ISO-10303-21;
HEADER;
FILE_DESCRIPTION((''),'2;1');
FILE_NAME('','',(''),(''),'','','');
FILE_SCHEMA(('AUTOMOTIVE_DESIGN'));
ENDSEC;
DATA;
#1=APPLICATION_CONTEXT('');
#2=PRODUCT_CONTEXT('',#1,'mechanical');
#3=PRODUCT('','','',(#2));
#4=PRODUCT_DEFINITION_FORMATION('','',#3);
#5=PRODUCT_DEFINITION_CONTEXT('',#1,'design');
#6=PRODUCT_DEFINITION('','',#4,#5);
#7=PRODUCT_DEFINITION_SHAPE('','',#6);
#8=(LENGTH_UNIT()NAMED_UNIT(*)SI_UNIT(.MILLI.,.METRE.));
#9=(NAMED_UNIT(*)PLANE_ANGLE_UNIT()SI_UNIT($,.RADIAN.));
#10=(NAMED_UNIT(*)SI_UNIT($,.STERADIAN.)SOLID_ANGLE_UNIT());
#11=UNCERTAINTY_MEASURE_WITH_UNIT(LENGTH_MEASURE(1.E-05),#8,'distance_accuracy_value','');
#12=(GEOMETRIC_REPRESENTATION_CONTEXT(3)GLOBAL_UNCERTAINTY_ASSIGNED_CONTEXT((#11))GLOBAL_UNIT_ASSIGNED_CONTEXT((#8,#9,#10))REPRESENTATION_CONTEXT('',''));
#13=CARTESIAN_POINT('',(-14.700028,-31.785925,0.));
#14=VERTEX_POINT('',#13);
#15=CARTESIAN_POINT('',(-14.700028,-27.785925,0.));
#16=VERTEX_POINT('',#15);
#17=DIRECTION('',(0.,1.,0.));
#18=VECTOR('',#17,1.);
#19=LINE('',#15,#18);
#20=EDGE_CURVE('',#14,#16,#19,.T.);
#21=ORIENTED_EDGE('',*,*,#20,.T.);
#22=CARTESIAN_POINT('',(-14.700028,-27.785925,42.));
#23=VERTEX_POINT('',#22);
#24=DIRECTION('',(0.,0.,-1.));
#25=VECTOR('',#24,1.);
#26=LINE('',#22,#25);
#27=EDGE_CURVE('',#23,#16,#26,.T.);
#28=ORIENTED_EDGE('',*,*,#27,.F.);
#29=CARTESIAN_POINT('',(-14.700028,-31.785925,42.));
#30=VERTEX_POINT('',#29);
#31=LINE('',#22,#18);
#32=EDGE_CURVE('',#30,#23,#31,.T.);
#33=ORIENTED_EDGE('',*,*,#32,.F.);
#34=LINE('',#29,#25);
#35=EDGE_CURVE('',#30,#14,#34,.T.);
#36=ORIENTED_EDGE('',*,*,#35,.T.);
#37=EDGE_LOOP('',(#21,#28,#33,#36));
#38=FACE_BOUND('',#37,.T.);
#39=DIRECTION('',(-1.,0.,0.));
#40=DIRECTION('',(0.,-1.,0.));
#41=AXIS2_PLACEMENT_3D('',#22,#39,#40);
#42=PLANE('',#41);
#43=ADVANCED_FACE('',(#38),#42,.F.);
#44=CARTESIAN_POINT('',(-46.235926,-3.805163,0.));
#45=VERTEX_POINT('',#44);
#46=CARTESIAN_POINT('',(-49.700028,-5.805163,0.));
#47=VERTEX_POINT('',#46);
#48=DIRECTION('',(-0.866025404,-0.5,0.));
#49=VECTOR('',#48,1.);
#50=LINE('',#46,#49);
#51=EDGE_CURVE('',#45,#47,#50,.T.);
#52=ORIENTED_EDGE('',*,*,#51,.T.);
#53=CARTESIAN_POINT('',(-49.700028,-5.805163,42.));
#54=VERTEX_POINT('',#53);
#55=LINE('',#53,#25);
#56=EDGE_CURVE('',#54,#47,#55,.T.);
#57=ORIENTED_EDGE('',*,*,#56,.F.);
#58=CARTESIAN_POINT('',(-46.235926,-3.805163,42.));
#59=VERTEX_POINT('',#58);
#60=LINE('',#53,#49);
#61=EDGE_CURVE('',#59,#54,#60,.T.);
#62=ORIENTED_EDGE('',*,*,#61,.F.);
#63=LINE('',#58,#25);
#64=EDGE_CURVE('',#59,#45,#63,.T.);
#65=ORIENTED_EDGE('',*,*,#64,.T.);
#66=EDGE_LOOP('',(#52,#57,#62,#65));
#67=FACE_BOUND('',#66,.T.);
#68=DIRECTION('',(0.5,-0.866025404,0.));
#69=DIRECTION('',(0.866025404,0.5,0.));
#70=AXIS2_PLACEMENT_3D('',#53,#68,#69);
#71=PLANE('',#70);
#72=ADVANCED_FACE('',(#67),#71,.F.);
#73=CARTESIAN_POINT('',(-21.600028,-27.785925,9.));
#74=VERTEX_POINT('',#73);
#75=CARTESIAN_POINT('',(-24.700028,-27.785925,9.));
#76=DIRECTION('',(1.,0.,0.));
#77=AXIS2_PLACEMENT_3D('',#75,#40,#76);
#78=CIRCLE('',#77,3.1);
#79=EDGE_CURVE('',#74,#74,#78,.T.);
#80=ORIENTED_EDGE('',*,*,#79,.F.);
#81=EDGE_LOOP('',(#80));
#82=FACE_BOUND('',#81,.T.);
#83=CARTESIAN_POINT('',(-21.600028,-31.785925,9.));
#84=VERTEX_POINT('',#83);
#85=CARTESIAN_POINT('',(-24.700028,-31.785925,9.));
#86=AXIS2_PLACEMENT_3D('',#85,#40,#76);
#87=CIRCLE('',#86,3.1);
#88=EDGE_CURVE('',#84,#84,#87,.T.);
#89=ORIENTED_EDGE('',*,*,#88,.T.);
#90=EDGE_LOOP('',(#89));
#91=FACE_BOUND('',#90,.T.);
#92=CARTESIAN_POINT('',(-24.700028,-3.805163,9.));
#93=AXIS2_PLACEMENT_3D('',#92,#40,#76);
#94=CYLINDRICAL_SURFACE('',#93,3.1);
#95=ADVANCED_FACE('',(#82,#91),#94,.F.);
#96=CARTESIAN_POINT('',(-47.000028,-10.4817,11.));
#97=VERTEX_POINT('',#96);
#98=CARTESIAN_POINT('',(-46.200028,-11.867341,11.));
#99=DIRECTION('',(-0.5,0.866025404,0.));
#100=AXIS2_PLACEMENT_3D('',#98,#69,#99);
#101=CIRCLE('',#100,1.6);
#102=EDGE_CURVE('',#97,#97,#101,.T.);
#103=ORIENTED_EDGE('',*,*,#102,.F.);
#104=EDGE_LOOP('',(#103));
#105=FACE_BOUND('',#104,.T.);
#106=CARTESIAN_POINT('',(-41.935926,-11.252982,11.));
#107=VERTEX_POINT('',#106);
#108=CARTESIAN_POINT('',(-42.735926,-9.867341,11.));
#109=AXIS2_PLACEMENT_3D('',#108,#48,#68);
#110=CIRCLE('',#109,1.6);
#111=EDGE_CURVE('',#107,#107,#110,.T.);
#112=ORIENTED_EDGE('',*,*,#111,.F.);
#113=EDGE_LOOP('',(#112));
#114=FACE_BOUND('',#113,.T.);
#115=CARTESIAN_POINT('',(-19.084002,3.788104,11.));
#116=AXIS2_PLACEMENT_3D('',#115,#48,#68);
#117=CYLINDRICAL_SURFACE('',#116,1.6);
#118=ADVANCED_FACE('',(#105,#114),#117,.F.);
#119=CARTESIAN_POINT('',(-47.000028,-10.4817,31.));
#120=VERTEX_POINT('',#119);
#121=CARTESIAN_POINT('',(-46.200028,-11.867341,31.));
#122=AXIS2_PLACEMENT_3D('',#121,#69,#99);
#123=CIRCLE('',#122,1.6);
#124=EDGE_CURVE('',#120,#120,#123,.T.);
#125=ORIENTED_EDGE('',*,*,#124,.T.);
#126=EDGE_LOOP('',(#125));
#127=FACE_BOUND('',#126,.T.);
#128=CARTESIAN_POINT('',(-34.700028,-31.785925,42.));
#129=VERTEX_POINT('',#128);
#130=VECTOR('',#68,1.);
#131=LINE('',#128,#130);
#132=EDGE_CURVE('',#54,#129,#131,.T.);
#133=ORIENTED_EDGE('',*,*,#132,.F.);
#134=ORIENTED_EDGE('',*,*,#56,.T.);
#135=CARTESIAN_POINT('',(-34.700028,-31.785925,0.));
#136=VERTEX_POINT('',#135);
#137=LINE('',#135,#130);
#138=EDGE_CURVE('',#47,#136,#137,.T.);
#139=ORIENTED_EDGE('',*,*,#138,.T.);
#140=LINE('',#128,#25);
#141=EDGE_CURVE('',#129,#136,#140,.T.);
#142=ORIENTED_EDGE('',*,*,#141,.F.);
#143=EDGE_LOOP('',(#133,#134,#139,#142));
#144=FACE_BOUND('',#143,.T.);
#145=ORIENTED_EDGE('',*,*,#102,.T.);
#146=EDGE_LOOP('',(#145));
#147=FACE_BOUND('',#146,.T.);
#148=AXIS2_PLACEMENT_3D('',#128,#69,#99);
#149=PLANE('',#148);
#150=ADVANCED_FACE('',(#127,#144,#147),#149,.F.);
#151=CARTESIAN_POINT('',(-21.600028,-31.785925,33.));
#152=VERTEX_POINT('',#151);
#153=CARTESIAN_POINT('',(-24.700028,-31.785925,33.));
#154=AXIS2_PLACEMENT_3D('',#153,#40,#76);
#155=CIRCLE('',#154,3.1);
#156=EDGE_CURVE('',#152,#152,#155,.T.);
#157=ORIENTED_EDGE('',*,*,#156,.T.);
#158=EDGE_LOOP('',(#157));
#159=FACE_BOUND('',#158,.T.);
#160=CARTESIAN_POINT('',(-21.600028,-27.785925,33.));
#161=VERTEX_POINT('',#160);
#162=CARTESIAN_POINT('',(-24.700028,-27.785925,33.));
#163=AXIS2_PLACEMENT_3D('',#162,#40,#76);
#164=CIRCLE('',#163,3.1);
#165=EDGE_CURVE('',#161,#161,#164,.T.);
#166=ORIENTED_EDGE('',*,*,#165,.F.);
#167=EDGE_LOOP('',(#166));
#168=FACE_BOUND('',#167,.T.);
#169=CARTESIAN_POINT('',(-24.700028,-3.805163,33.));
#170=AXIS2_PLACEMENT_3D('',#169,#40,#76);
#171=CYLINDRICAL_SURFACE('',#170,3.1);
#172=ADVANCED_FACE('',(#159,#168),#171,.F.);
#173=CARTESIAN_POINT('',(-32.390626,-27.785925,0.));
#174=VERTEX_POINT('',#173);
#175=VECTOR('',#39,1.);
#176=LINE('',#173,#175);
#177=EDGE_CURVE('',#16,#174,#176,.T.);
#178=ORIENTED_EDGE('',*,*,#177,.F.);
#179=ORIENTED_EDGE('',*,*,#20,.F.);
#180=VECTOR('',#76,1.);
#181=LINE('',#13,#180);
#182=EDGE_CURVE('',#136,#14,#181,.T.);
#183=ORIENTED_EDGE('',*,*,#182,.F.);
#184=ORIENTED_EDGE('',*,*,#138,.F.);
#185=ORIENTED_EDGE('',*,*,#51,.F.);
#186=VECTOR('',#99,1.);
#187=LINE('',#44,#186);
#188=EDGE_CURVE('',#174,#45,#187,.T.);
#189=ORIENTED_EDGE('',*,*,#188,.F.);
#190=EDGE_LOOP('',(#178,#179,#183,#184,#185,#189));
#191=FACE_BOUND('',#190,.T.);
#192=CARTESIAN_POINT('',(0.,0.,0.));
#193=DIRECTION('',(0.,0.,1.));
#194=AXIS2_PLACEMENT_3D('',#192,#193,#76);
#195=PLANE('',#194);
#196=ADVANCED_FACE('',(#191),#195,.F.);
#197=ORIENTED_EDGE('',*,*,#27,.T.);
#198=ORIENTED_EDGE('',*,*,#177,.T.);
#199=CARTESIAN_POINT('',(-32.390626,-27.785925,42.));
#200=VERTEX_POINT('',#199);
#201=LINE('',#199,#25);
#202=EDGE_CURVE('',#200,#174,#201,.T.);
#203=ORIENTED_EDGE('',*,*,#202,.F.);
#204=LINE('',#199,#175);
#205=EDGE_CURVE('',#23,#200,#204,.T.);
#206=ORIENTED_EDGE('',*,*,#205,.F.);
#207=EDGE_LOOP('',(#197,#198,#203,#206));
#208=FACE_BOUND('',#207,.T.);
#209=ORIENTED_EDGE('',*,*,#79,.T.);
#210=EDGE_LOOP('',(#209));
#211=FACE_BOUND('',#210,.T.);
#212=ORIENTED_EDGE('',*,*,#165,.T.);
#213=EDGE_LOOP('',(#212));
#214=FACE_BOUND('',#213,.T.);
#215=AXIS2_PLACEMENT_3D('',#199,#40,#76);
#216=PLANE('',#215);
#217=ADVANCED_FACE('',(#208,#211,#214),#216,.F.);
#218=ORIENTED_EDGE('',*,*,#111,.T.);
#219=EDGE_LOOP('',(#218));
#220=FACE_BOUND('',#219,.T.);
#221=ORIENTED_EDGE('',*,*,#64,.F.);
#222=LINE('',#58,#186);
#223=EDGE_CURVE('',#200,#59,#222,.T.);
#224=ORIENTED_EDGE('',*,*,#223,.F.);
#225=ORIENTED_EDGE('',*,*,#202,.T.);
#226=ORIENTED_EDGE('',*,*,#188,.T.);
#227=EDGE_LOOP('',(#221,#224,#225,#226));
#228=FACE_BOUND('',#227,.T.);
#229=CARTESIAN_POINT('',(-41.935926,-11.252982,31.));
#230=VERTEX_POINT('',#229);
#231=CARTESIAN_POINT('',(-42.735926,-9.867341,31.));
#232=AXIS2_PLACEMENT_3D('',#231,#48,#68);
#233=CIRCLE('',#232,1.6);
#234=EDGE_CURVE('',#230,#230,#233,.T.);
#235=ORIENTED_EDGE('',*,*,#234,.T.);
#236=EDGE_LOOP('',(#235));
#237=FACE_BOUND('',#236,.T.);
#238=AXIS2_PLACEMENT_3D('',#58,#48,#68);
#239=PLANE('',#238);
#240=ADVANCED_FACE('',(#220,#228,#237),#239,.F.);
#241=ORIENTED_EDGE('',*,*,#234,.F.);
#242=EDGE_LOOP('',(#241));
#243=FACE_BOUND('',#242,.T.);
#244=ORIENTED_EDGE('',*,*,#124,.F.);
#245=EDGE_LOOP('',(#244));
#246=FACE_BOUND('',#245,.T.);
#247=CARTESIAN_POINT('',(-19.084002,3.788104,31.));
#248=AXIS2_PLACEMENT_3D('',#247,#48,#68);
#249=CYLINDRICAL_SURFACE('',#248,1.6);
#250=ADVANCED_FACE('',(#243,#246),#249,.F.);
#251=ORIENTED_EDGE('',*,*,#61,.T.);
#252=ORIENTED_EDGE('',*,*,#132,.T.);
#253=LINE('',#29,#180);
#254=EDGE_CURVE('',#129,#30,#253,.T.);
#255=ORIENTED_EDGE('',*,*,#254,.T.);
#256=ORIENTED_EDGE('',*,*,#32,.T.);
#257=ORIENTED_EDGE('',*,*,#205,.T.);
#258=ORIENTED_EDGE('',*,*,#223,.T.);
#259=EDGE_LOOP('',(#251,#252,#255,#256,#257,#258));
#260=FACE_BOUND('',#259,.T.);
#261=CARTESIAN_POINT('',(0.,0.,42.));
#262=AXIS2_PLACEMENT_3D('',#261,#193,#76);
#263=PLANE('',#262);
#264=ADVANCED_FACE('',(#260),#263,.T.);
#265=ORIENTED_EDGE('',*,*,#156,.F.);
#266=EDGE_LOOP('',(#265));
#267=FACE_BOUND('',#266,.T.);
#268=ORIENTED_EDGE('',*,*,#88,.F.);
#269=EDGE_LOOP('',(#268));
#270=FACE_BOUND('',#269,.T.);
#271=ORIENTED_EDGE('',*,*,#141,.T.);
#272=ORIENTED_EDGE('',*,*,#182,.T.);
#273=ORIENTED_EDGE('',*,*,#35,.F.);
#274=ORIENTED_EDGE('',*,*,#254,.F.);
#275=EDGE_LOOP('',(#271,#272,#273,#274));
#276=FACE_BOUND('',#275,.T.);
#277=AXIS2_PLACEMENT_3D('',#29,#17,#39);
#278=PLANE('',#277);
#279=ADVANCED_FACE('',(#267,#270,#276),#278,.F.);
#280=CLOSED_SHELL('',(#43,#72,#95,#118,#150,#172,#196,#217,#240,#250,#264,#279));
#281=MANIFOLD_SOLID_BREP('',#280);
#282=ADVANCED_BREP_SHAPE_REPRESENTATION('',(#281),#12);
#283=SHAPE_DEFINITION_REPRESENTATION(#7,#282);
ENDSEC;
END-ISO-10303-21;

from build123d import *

# Parameters (mm, degrees)
BOSS_EXTRUDE1_DEPTH     = 42
CUT_EXTRUDE1_DEPTH      = 53.543429003
CUT_EXTRUDE1_DEPTH_BACK = 53.543429003
SKETCH4_R               = 1.6
SKETCH5_R               = 3.1
CUT_EXTRUDE2_DEPTH      = 71.830895708


with BuildPart() as part:
    # Sketch1 → Boss-Extrude1 (new body)
    with BuildSketch(Plane.XY):
        Polygon((-32.390626472, -27.785925208), (-14.700027549, -27.785925208), (-14.700027549, -31.785925208), (-34.700027549, -31.785925208), (-49.700027549, -5.805163094), (-46.235925934, -3.805163094), align=None)
    extrude(amount=BOSS_EXTRUDE1_DEPTH)

    # Sketch4 → Cut-Extrude1 (cut, two sides: drawn at the far end of the back side and taken through both)
    with BuildSketch(Plane(origin=(-39.788730018, -22.972033987, 0), x_dir=(0, 0, 1), z_dir=(-0.8660254037844377, -0.5000000000000018, 0)).offset(-CUT_EXTRUDE1_DEPTH_BACK)):
        with Locations(Location((31, 12.822595062, 0), (0, 0, 270))):
            Circle(SKETCH4_R)
        with Locations(Location((11, 12.822595062, 0), (0, 0, 270))):
            Circle(SKETCH4_R)
    extrude(amount=CUT_EXTRUDE1_DEPTH + CUT_EXTRUDE1_DEPTH_BACK, mode=Mode.SUBTRACT)

    # Sketch5 → Cut-Extrude2 (cut, through all)
    with BuildSketch(Plane.XZ.offset(31.785925208)):
        with Locations((-24.700027549, 33)):
            Circle(SKETCH5_R)
        with Locations((-24.700027549, 9)):
            Circle(SKETCH5_R)
    extrude(amount=-CUT_EXTRUDE2_DEPTH, mode=Mode.SUBTRACT)


solid = part.part
